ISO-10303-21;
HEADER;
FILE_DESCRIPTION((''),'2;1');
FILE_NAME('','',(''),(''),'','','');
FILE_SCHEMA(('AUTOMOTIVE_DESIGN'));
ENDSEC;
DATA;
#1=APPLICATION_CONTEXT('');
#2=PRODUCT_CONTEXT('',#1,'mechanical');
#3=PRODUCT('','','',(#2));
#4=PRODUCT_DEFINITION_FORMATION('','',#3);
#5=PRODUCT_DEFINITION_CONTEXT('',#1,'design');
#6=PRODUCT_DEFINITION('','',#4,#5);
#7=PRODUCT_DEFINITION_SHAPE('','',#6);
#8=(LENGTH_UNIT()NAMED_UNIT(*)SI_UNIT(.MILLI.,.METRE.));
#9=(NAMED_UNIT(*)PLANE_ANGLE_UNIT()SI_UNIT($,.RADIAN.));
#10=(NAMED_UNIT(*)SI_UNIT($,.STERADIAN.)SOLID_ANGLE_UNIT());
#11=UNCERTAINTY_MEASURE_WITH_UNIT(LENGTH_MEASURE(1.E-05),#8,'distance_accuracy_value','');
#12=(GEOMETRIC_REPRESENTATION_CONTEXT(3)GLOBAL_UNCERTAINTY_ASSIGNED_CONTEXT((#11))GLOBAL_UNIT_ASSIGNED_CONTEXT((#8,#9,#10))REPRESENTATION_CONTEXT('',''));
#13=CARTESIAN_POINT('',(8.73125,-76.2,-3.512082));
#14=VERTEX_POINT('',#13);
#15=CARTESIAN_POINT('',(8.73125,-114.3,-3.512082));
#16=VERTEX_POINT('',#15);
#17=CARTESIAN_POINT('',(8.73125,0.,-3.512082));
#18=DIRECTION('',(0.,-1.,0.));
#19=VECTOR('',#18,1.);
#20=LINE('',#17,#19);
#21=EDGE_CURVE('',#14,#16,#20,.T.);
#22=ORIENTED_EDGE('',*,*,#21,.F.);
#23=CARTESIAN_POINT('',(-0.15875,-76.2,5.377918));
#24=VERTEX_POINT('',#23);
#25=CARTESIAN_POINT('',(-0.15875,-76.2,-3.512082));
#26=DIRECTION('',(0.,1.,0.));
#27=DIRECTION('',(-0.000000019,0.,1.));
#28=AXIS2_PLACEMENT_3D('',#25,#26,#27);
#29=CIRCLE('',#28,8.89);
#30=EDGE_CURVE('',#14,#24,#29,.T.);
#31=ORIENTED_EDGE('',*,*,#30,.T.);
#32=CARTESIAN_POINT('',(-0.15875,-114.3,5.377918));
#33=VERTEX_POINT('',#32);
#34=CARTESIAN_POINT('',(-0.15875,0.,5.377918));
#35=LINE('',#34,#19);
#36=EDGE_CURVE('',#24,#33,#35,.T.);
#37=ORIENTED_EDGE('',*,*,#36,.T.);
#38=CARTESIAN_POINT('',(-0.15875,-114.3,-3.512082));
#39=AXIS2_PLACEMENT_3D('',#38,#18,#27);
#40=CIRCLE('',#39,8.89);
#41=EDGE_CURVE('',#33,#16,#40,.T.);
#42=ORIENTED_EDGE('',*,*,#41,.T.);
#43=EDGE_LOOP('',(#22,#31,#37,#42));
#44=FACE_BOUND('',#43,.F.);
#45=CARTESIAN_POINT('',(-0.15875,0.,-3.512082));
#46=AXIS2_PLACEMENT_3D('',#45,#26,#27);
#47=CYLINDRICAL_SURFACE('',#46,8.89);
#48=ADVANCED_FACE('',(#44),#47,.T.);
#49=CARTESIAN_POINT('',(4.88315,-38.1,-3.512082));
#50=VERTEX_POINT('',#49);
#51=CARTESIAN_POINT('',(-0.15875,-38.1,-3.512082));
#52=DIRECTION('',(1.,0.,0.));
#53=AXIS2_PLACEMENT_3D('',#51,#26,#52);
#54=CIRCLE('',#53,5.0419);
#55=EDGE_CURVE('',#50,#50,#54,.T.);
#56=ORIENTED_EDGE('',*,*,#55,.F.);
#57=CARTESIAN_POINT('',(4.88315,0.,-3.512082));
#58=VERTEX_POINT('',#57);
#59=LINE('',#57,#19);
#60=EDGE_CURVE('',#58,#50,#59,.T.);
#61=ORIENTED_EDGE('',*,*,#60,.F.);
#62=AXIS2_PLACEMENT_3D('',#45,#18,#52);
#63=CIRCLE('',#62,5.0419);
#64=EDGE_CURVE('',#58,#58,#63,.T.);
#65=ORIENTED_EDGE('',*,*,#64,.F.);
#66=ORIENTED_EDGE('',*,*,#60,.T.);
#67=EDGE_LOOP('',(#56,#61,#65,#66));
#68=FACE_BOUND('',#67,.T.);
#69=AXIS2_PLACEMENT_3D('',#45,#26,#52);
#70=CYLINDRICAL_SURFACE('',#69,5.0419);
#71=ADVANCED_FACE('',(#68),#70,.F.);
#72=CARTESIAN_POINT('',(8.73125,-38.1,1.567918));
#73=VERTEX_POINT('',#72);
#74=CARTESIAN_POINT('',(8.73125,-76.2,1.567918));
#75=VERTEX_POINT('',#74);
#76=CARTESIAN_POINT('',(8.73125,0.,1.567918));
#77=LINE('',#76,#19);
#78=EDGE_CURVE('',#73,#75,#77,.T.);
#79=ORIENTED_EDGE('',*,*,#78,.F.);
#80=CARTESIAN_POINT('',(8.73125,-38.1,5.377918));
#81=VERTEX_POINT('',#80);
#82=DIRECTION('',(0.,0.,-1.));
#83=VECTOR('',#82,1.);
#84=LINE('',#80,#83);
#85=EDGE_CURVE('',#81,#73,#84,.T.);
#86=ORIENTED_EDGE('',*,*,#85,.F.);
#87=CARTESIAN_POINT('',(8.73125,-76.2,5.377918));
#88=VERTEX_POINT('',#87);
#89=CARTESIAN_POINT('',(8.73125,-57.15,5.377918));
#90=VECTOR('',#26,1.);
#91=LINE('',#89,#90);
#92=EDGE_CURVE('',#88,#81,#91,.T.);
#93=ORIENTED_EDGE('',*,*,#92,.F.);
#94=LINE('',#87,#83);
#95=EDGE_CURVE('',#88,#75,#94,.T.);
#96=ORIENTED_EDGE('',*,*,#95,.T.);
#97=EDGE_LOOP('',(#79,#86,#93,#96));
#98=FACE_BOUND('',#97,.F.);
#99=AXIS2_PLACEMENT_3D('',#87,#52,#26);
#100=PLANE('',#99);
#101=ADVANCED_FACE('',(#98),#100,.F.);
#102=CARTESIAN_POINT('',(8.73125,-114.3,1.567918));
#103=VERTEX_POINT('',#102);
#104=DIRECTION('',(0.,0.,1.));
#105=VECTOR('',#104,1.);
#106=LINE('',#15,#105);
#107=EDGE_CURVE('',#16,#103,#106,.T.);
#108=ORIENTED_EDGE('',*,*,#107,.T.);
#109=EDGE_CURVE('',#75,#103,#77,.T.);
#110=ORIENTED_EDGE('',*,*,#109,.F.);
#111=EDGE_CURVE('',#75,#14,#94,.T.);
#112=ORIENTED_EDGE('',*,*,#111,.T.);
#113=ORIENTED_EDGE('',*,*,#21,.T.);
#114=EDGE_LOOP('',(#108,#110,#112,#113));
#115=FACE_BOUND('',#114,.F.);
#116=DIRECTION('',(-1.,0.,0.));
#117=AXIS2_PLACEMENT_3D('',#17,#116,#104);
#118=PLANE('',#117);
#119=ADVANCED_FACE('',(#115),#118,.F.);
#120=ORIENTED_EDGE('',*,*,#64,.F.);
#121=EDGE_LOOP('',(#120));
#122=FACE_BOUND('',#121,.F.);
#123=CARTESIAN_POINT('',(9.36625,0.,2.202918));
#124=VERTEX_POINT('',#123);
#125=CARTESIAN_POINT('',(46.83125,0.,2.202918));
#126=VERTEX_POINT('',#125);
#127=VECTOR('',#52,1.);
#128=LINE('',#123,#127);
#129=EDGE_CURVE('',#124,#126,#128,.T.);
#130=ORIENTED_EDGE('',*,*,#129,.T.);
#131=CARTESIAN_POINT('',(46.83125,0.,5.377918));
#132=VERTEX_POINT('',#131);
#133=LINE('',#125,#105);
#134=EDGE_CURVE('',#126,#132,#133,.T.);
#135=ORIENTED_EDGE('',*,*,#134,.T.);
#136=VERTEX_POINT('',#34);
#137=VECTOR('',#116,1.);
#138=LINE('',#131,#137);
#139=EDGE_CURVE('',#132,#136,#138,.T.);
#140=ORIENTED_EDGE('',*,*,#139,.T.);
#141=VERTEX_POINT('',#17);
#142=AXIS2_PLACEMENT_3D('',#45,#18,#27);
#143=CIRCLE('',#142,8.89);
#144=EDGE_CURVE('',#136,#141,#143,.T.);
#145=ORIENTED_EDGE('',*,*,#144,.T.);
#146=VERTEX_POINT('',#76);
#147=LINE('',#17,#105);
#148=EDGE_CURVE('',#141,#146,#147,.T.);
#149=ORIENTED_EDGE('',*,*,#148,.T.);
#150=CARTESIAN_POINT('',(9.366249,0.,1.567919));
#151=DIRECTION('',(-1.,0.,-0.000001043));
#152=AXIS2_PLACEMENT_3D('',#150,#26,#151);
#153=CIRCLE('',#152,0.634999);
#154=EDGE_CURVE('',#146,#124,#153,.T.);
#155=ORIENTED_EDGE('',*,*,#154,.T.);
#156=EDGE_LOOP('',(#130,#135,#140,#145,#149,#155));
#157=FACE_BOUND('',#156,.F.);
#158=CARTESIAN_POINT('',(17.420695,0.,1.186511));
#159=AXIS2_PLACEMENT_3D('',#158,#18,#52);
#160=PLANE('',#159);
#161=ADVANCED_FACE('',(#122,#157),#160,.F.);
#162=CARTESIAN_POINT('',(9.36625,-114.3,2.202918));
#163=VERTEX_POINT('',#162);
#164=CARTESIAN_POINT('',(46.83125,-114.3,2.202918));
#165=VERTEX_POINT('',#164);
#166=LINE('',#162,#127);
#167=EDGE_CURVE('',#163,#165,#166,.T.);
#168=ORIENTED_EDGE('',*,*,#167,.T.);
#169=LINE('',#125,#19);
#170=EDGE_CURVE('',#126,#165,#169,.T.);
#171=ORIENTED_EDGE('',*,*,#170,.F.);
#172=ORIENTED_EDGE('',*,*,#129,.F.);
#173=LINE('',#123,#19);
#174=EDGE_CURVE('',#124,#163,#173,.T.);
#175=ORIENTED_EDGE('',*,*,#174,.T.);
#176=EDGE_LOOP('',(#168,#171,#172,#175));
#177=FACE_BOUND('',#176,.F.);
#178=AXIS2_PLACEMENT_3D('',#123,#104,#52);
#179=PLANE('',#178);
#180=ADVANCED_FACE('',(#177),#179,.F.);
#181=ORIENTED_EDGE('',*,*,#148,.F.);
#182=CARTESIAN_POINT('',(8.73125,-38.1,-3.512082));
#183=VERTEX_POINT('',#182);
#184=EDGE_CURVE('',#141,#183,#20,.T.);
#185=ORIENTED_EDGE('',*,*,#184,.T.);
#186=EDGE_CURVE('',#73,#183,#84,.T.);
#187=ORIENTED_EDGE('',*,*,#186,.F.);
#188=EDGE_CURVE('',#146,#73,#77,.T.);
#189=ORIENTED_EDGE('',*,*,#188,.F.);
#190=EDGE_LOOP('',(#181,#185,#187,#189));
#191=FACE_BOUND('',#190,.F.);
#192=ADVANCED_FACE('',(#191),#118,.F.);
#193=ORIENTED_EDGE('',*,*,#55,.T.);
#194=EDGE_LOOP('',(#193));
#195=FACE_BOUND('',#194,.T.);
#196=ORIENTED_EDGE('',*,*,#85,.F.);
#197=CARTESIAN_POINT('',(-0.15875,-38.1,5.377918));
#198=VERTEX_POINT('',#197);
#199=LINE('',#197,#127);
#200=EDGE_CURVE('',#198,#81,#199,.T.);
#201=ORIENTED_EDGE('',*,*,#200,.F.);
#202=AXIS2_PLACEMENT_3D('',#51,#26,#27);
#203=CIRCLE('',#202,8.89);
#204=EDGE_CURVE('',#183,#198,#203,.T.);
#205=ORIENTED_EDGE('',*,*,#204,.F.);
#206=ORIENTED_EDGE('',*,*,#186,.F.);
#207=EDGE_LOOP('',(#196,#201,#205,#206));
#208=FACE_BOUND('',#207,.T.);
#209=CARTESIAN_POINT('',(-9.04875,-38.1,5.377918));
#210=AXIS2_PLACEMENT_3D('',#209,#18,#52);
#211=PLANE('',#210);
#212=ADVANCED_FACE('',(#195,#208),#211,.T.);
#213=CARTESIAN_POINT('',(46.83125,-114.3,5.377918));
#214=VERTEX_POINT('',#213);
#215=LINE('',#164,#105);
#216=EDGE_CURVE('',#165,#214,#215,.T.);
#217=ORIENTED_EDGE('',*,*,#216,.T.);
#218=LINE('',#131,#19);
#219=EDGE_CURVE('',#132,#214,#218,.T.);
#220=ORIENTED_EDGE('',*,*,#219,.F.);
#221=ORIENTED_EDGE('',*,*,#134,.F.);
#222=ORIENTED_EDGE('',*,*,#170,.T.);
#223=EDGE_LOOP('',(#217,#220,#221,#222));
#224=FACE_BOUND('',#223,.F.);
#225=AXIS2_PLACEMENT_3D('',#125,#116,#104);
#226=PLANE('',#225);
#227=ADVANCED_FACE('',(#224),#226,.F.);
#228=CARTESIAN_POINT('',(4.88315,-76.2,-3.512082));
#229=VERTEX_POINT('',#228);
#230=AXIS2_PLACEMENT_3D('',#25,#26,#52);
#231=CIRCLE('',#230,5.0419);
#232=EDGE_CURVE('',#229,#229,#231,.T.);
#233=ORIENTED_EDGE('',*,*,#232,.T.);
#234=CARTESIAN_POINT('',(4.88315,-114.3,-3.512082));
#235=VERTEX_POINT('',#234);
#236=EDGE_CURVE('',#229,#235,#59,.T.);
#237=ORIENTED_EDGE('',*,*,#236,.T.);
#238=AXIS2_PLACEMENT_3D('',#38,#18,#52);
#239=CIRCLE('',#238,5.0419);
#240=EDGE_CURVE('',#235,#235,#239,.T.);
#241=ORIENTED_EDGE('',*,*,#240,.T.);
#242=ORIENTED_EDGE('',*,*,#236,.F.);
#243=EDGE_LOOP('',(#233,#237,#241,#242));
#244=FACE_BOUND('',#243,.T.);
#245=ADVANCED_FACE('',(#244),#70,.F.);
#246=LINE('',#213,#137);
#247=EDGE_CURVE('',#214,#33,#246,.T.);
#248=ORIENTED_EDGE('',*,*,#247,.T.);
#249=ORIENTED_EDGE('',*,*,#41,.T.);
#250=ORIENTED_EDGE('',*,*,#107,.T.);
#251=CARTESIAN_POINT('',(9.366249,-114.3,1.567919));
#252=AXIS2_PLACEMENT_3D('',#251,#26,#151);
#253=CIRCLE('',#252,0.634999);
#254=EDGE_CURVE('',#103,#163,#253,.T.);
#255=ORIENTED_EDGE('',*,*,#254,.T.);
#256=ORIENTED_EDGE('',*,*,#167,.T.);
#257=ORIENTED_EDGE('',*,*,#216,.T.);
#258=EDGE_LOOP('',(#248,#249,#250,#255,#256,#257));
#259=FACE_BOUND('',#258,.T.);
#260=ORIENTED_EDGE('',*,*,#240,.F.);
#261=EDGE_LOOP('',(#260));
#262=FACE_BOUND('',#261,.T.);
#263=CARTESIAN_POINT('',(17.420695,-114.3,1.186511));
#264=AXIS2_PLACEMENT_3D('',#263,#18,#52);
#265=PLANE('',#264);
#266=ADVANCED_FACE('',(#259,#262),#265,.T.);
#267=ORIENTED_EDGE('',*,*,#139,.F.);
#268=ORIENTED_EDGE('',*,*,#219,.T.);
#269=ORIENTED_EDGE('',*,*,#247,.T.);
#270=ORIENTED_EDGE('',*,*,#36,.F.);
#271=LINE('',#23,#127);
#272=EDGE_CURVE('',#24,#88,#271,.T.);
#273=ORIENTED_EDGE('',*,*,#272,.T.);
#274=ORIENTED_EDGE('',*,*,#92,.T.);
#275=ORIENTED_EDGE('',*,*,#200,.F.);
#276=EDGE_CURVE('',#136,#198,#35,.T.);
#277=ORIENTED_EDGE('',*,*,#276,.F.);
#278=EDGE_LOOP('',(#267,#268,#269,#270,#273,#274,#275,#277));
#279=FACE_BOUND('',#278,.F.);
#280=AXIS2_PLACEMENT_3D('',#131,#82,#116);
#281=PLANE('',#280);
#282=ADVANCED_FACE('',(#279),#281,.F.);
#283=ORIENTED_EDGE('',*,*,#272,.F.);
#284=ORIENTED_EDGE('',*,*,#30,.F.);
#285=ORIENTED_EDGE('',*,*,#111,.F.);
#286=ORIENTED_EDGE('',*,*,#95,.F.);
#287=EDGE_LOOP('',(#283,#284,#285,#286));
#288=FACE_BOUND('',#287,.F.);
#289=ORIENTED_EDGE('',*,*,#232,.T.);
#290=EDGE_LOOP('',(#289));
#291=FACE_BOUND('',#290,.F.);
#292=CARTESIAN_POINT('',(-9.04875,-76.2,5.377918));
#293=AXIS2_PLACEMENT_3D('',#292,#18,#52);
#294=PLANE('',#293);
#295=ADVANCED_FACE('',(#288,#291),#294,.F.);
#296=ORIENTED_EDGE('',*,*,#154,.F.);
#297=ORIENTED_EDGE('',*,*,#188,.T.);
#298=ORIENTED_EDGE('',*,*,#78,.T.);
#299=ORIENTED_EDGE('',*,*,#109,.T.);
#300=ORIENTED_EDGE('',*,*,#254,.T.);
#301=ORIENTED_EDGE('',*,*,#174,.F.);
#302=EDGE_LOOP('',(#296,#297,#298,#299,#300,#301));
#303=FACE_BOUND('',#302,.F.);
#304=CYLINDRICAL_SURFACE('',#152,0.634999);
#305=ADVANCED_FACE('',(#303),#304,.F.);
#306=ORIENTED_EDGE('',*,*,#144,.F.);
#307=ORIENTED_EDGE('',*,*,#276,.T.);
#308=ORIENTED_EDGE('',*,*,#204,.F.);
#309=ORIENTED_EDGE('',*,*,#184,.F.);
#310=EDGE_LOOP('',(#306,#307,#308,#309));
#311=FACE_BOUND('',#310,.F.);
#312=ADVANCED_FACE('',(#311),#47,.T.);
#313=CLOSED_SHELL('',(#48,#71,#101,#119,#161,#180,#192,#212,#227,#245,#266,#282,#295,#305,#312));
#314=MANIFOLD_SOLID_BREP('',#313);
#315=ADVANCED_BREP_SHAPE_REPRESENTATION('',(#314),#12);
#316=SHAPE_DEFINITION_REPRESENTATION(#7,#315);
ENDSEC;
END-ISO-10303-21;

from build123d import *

# Parameters (mm, degrees)
F0_R     = 5.0419
F1_DEPTH = 114.3
F2_W     = 17.78
F2_H     = 38.1
F3_DEPTH = 25.4


with BuildPart() as f1:
    # F0 (on Front) → F1 (new body)
    with BuildSketch(Plane.XZ):
        with BuildLine():
            Line((8.73125, -3.512082), (8.73125, 0))
            Line((8.73125, 0), (8.73125, 1.567918))
            ThreePointArc((8.73125, 1.567918), (8.917237, 2.016931), (9.36625, 2.202918))
            Line((9.36625, 2.202918), (46.83125, 2.202918))
            Line((46.83125, 2.202918), (46.83125, 5.377918))
            Line((46.83125, 5.377918), (-0.15875, 5.377918))
            ThreePointArc((-0.15875, 5.377918), (-6.444929, -9.798261), (8.73125, -3.512082))
        make_face()
        with Locations((-0.15875, -3.512082)):
            Circle(F0_R, mode=Mode.SUBTRACT)
    extrude(amount=F1_DEPTH)

    # F2 (on face) → F3 (cut)
    with BuildSketch(Plane.XY.offset(5.377918)):
        with Locations((-0.15875, -57.15)):
            Rectangle(F2_W, F2_H)
    extrude(amount=-F3_DEPTH, mode=Mode.SUBTRACT)


solid = f1.part
